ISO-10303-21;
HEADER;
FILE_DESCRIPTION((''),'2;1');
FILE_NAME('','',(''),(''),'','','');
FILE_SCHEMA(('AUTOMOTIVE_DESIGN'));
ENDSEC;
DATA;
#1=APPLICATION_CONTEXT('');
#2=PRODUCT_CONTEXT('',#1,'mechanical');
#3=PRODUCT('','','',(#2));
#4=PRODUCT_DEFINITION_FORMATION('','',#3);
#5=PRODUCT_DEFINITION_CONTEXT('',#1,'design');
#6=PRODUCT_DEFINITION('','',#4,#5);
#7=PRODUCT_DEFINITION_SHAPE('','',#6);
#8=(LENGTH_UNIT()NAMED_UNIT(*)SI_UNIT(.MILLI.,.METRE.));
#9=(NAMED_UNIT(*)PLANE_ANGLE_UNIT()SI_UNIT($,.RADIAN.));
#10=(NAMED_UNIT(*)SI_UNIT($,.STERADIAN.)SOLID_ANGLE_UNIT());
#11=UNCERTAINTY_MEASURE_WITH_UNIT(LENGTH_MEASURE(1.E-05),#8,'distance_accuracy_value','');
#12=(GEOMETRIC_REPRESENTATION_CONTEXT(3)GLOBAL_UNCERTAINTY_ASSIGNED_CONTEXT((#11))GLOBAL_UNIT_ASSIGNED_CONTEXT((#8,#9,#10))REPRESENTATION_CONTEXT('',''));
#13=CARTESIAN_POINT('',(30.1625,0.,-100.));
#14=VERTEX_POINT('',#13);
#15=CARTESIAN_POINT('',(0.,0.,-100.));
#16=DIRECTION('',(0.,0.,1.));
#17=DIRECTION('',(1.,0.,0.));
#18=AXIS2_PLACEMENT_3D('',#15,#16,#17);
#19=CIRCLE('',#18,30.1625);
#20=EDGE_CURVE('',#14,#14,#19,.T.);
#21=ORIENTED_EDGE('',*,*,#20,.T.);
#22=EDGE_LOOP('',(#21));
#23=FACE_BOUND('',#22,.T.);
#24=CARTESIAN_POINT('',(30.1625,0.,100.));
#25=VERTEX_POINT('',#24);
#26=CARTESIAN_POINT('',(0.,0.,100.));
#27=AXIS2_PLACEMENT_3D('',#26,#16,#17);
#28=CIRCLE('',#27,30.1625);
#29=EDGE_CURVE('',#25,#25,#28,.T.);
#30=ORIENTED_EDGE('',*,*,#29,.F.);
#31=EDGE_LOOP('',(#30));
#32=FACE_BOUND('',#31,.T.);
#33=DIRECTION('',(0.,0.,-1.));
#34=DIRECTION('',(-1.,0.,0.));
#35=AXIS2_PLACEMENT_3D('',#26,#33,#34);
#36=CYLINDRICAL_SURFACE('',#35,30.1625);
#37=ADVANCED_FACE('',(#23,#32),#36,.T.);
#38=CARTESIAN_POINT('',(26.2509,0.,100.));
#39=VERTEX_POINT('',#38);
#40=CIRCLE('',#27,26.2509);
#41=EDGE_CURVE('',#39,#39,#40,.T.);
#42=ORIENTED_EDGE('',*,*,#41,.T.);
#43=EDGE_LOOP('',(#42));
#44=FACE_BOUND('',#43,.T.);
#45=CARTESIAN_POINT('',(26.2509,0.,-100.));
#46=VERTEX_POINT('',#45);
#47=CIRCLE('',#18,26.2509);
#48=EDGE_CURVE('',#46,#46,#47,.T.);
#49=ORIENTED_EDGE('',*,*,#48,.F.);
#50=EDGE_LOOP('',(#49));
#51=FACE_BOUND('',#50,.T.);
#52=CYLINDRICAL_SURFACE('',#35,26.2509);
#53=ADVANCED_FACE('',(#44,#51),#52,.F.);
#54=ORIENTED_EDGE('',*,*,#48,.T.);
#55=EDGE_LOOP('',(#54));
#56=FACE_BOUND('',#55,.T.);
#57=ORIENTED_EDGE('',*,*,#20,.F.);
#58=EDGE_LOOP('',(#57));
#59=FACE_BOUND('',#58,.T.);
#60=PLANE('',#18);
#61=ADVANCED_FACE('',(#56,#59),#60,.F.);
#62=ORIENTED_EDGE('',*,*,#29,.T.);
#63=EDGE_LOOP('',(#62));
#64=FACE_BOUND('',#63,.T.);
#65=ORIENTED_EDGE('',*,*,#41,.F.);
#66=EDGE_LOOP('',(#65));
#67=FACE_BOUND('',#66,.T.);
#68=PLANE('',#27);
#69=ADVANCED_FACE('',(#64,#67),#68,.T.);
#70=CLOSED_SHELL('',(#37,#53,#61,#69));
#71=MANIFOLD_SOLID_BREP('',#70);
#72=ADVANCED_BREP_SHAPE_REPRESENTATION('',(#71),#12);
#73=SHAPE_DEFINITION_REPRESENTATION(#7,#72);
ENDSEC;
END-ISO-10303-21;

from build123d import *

# Parameters (mm, degrees)
SKETCH1_R           = 30.1625
SKETCH1_R_2         = 26.2509
EXTRUDE_THIN1_DEPTH = 100


with BuildPart() as part:
    # Sketch1 → Extrude-Thin1 (new body, symmetric)
    with BuildSketch(Plane.XY):
        Circle(SKETCH1_R)
        Circle(SKETCH1_R_2, mode=Mode.SUBTRACT)
    extrude(amount=EXTRUDE_THIN1_DEPTH, both=True)


solid = part.part
